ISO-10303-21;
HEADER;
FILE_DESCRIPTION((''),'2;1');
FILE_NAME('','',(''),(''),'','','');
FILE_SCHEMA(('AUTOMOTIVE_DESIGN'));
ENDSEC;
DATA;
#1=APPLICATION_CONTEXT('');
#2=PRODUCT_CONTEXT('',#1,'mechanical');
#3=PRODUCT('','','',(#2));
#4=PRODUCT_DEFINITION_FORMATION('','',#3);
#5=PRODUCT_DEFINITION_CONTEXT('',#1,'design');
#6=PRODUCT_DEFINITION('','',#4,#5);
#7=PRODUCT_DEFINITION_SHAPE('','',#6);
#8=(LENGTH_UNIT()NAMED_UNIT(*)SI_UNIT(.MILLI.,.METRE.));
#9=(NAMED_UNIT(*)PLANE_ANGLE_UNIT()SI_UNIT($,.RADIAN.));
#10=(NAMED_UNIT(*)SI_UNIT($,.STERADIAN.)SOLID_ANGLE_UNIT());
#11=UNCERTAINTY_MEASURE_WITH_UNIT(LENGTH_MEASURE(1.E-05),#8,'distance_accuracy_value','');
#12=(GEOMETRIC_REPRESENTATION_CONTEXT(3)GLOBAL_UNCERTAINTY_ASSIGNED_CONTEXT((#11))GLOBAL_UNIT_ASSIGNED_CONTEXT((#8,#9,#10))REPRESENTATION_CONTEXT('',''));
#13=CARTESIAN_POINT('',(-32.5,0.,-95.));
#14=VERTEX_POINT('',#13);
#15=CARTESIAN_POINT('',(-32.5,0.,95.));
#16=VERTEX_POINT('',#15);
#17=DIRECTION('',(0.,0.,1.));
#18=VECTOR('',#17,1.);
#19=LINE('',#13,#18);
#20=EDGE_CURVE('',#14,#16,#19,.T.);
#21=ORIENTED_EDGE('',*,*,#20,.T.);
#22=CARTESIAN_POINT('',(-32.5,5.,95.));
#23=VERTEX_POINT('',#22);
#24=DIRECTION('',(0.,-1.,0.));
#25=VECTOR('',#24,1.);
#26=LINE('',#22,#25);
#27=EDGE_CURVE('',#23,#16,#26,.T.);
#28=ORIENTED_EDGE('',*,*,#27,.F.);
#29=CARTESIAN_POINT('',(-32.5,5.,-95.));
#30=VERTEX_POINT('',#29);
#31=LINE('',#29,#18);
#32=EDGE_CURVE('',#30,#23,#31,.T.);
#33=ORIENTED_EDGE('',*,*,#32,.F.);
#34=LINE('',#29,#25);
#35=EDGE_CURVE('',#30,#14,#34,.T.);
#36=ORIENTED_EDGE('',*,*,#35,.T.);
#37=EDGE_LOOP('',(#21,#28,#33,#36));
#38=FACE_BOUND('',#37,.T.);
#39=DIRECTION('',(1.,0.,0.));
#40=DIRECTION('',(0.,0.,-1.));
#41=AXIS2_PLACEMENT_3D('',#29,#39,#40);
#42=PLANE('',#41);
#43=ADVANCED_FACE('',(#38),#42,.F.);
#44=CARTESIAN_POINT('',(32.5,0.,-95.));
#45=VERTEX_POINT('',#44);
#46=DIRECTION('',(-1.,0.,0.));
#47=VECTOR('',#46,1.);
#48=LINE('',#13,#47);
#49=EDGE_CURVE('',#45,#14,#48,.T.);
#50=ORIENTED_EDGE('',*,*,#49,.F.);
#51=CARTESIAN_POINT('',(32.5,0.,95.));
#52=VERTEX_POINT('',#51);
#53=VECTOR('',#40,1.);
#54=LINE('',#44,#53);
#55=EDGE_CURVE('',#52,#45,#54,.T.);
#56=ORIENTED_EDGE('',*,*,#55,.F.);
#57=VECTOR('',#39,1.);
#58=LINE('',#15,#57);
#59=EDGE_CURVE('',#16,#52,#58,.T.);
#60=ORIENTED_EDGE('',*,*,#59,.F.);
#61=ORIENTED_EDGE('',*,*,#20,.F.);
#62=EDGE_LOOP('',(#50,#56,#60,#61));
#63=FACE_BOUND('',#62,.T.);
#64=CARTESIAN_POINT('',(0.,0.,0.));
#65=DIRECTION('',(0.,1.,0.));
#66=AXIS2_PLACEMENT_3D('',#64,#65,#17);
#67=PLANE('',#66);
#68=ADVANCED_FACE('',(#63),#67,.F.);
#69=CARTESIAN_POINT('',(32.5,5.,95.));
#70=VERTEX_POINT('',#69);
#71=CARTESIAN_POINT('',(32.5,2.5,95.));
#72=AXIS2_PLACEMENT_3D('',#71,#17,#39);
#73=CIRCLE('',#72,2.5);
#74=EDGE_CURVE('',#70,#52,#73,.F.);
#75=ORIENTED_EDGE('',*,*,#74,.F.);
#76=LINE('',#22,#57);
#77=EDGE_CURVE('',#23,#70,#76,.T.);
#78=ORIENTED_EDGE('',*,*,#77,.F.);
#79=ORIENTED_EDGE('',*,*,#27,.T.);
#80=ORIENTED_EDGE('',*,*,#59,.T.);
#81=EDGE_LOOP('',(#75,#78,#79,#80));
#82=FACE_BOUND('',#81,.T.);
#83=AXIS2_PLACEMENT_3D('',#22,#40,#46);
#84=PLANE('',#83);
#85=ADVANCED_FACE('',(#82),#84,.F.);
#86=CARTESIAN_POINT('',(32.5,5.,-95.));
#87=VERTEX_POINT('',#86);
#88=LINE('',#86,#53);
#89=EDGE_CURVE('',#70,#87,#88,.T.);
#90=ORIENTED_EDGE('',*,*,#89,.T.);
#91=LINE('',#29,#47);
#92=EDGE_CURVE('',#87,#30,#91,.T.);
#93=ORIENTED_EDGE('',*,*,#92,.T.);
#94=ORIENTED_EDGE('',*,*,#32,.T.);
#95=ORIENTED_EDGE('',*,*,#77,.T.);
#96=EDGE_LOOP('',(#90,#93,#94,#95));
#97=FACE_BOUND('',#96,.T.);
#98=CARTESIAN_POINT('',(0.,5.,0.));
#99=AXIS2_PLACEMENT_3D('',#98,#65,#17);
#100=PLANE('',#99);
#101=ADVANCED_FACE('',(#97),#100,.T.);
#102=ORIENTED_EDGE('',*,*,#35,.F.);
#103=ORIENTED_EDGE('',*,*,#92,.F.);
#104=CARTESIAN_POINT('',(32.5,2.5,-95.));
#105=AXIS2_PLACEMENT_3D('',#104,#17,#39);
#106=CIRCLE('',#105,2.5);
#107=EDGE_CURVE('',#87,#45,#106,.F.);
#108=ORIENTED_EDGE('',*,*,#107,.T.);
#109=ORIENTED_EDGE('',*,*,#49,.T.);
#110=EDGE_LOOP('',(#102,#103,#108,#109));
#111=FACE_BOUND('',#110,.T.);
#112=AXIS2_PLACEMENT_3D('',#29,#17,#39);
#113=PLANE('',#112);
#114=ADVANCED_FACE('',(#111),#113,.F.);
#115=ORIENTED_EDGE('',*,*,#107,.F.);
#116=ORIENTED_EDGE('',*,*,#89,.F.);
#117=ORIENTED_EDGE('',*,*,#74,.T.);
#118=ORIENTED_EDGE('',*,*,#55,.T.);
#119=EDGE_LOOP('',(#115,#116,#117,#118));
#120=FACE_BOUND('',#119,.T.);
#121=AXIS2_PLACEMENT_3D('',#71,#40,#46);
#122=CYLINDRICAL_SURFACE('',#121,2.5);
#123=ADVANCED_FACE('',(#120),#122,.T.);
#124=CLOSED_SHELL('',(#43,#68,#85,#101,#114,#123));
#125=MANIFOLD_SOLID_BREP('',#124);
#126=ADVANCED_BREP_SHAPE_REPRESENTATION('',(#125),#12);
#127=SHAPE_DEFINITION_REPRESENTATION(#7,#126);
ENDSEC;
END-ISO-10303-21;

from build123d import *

# Parameters (mm, degrees)
SKETCH_1_W           = 65
SKETCH_1_H           = 190
EXTRUDE_1_DEPTH      = 5
EXTRUDE_2_DEPTH      = 95
EXTRUDE_2_DEPTH_BACK = 95


with BuildPart() as part:
    # Эскиз1 → Бобышка-Вытянуть1 (new body)
    with BuildSketch(Plane(origin=(0, 0, 0), x_dir=(1, 0, 0), z_dir=(0, 1, 0))):
        Rectangle(SKETCH_1_W, SKETCH_1_H)
    extrude(amount=EXTRUDE_1_DEPTH)

    # Эскиз2 → Бобышка-Вытянуть2 (add, two sides: drawn at the far end of the back side and taken through both)
    with BuildSketch(Plane.XY.offset(-EXTRUDE_2_DEPTH_BACK)):
        with BuildLine():
            ThreePointArc((32.5, 5), (35, 2.5), (32.5, 0))
            Line((32.5, 0), (32.5, 5))
        make_face()
    extrude(amount=EXTRUDE_2_DEPTH + EXTRUDE_2_DEPTH_BACK)


solid = part.part
